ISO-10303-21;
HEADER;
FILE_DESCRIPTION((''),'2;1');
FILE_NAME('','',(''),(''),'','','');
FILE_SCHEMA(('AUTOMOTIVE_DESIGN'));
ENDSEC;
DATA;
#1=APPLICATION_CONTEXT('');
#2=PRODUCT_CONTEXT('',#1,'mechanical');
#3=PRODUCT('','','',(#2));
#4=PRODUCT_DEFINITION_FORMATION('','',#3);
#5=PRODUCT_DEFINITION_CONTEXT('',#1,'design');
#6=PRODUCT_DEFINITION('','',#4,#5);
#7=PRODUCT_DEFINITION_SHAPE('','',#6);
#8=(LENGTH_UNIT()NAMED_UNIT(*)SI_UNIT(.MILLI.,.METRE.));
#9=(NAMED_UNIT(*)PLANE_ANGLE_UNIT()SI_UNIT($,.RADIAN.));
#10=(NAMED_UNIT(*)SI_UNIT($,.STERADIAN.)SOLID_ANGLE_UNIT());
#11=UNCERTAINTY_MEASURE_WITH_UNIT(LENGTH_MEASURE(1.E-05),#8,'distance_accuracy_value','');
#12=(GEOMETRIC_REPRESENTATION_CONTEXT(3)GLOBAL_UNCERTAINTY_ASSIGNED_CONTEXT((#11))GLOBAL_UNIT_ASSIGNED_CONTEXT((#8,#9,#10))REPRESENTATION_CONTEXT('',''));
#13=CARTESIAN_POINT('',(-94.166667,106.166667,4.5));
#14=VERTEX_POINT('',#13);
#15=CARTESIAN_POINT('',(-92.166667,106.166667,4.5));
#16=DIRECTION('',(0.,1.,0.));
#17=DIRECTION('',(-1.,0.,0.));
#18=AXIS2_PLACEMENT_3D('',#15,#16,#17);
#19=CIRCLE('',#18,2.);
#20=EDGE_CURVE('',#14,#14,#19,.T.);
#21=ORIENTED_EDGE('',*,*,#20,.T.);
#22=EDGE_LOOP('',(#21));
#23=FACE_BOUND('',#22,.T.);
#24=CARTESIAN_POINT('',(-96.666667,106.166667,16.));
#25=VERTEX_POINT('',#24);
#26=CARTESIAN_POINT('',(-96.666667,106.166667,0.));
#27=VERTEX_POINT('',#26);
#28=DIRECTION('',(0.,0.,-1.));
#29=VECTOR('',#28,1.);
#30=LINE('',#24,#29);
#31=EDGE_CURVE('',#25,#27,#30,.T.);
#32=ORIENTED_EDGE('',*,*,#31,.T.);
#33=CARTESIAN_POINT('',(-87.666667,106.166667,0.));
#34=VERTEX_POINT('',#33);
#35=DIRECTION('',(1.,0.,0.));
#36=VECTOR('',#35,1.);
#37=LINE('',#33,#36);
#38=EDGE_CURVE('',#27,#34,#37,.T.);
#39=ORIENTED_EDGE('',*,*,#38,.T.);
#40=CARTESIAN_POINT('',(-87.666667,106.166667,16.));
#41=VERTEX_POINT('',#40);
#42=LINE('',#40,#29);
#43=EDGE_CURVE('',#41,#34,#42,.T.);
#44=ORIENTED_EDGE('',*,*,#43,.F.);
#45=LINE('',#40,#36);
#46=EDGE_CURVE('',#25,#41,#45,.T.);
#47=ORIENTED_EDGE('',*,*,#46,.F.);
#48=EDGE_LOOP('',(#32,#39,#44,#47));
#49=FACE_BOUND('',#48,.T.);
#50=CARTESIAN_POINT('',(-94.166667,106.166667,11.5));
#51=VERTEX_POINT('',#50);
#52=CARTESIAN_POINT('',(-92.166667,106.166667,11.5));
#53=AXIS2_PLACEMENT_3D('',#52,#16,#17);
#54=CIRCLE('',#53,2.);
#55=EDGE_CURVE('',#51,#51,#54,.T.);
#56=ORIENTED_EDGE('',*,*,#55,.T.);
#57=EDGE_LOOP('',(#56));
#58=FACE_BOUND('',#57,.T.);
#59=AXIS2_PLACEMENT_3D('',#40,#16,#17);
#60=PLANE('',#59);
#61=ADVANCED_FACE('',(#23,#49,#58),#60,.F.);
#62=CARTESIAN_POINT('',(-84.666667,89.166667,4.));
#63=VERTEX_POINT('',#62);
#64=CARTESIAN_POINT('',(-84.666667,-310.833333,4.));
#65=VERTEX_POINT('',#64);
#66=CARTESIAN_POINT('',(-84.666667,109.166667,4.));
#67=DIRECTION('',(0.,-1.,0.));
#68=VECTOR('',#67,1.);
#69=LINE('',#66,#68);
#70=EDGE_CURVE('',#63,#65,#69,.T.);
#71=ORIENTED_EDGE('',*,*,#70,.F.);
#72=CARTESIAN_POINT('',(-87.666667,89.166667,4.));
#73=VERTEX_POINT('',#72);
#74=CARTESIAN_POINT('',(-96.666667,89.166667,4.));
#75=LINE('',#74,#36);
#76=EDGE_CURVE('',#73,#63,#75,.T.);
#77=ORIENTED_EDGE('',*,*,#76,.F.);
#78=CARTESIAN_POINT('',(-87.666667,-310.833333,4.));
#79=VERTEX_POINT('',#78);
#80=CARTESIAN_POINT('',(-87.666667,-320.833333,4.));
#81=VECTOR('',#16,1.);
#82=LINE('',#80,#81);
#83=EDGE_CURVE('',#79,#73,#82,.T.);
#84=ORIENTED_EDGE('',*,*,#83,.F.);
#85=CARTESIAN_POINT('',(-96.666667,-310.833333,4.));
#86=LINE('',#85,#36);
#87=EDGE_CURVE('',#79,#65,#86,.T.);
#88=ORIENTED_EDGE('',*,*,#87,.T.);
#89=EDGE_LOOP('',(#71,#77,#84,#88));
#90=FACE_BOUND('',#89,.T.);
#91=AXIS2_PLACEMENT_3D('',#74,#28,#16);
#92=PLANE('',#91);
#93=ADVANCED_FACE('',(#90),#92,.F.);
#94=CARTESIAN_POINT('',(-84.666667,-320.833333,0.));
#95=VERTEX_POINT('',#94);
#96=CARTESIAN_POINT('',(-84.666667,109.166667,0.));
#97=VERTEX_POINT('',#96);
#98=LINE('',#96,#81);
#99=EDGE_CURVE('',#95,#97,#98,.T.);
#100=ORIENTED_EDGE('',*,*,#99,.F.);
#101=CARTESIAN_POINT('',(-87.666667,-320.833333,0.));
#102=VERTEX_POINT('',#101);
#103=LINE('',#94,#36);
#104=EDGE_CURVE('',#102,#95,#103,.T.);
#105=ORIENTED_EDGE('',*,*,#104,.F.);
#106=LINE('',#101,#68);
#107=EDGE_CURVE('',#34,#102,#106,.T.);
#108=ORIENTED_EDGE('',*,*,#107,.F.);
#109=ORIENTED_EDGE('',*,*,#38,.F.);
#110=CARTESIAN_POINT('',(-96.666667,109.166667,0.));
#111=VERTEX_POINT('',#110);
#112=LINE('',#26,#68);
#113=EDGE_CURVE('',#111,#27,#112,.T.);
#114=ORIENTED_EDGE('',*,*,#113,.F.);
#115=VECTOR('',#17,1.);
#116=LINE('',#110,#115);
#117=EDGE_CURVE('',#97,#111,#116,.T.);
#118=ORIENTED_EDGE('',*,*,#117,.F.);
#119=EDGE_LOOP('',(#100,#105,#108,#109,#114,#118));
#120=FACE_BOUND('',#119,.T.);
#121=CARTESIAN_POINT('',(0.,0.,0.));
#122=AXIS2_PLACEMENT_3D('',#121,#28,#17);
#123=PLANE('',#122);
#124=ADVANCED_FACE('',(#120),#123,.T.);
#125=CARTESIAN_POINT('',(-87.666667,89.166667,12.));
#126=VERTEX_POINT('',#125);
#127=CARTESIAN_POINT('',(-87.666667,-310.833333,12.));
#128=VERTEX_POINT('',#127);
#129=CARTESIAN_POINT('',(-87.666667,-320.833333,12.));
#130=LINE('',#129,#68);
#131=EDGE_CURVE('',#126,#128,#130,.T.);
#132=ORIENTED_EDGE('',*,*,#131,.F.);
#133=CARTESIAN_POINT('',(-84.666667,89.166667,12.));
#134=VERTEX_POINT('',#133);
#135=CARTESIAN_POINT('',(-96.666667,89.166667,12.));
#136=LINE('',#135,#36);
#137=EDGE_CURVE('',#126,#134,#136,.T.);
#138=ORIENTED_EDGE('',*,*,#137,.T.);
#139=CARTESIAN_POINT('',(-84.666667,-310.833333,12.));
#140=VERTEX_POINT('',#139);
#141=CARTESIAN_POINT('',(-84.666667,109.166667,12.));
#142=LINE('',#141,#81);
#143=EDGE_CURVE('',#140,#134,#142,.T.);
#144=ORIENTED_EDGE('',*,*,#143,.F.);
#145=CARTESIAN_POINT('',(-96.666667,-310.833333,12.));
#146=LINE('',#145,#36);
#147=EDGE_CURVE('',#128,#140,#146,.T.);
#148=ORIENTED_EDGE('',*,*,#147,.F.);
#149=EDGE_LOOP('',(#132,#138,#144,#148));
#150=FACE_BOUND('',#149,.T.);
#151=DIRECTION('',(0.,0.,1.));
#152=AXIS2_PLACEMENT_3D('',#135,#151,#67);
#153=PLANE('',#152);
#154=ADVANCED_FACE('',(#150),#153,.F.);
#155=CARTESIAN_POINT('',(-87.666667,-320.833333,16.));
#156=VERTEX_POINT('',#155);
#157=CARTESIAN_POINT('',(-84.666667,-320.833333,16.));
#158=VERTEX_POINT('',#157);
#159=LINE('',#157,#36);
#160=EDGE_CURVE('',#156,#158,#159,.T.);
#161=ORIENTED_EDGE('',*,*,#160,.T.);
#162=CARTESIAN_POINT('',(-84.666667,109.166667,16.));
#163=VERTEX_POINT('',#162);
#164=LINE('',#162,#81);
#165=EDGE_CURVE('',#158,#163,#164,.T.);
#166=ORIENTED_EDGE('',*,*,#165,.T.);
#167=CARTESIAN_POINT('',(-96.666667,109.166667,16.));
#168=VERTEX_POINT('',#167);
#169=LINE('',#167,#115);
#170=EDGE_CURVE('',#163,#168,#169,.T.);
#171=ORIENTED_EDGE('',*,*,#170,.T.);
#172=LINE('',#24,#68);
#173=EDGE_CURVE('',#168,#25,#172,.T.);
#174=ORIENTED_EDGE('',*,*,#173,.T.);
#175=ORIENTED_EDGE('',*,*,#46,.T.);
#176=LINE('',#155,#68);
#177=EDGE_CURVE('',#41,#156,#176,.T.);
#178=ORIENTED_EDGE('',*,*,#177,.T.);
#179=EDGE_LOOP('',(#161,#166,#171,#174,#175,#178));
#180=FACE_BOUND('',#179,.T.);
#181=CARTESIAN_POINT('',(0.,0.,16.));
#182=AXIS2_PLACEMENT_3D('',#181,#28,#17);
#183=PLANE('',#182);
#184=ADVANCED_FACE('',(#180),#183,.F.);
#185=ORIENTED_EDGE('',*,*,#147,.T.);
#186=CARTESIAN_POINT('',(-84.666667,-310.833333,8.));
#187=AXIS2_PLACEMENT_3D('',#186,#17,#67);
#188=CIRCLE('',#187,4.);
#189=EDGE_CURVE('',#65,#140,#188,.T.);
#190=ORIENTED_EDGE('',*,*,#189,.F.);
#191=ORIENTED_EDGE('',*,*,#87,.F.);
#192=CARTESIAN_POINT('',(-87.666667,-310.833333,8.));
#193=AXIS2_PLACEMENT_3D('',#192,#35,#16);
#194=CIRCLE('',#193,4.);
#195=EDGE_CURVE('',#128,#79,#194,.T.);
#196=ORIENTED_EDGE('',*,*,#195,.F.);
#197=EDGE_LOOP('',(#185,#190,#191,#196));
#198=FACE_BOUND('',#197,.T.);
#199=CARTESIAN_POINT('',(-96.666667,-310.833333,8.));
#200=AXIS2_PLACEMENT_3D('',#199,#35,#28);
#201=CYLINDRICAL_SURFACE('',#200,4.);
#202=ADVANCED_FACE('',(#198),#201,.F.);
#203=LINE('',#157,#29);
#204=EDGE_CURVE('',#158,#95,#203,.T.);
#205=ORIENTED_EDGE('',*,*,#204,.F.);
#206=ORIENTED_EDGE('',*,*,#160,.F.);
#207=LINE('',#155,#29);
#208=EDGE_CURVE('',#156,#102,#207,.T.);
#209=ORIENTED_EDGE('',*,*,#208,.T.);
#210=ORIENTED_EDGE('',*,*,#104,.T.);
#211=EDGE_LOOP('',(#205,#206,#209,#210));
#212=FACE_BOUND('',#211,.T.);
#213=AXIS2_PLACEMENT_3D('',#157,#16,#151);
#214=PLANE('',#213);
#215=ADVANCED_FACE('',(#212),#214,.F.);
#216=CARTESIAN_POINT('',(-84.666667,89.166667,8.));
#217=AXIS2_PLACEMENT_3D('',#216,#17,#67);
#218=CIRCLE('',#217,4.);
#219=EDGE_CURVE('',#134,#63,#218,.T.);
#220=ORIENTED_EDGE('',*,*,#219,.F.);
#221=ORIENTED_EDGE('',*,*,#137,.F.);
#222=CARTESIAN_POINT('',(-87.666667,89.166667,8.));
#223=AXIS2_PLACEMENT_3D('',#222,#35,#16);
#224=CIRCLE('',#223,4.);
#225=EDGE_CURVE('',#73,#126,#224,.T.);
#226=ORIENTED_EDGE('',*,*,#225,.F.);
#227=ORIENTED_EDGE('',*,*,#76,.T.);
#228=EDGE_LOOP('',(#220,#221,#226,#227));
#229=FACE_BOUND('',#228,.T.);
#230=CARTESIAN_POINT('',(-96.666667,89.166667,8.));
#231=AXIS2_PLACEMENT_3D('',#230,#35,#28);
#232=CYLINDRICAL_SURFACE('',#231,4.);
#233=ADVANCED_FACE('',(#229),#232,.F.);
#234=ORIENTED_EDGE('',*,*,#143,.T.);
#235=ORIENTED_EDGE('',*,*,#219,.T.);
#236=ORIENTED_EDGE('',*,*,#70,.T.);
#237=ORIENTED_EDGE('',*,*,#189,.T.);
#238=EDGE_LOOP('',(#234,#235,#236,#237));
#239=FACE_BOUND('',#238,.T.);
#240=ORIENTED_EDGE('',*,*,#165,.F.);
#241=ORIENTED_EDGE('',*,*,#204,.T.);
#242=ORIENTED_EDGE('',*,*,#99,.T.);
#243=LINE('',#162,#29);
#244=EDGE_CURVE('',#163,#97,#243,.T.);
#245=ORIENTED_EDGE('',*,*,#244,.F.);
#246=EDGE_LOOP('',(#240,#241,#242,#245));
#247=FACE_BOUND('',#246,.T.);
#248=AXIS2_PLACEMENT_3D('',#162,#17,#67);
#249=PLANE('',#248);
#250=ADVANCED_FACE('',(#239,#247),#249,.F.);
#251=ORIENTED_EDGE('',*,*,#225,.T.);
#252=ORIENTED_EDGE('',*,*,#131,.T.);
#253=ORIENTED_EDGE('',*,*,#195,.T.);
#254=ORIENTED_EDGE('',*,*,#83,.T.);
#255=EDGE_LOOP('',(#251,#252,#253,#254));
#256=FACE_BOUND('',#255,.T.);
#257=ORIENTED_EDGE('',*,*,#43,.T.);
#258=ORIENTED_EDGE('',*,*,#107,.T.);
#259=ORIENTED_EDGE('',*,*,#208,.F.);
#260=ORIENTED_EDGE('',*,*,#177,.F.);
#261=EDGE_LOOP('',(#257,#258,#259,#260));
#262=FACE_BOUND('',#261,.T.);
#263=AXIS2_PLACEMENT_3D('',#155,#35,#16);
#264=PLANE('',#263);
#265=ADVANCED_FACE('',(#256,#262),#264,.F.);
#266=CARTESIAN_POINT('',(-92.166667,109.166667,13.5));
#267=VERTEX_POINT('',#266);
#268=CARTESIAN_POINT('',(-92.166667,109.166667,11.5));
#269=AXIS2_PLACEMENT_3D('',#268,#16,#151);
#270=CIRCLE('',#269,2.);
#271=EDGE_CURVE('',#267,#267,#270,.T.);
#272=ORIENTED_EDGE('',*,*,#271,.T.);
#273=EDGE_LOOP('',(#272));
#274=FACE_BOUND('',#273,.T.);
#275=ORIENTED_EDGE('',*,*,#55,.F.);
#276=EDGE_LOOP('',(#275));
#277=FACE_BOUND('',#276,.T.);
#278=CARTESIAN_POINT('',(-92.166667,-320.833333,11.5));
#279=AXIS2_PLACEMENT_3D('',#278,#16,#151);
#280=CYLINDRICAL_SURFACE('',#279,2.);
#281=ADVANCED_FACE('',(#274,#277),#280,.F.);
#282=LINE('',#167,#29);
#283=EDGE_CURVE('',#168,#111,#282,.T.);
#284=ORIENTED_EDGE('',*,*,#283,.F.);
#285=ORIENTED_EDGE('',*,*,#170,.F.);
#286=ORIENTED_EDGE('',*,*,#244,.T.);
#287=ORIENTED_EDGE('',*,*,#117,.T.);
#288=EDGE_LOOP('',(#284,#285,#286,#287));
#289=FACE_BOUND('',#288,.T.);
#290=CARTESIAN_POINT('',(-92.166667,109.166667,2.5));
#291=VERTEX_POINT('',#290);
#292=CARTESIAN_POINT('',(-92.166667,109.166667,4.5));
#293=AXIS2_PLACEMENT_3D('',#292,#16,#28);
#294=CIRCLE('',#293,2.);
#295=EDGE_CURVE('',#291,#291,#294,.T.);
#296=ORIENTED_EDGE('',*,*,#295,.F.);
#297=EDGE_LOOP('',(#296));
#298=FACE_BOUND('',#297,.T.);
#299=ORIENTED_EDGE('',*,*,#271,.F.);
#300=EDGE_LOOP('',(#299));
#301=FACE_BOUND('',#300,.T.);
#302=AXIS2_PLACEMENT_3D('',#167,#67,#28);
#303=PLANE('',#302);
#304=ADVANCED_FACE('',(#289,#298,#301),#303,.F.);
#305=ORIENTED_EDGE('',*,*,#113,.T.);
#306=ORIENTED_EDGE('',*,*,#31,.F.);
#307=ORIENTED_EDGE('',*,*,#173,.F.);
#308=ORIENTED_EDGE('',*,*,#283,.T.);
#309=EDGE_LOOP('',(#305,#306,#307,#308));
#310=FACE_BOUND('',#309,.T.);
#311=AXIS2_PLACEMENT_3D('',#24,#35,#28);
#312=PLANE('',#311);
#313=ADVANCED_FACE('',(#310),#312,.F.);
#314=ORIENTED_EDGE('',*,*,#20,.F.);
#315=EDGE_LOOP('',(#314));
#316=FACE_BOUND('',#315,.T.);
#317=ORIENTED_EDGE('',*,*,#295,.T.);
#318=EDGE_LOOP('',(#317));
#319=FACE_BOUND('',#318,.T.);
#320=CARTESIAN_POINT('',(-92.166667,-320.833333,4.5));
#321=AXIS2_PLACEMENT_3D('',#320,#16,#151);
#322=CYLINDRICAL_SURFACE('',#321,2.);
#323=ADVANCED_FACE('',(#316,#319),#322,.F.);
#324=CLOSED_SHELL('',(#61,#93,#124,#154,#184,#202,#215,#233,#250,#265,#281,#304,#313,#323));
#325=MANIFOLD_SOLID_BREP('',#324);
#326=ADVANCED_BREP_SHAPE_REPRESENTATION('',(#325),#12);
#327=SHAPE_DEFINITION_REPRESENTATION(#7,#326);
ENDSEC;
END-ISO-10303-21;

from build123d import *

# Parameters (mm, degrees)
BOSS_EXTRUDE1_DEPTH     = 16
SKETCH2_R               = 2
CUT_EXTRUDE1_DEPTH      = 110.166666667
CUT_EXTRUDE1_DEPTH_BACK = 321.833333333
CUT_EXTRUDE2_DEPTH      = 97.666666667


with BuildPart() as part:
    # Sketch1 → Boss-Extrude1 (new body)
    with BuildSketch(Plane.XY):
        Polygon((-96.666666667, 109.166666667), (-84.666666667, 109.166666667), (-84.666666667, -320.833333333), (-87.666666667, -320.833333333), (-87.666666667, 106.166666667), (-96.666666667, 106.166666667), align=None)
    extrude(amount=BOSS_EXTRUDE1_DEPTH)

    # Sketch2 → Cut-Extrude1 (cut, two sides)
    with BuildSketch(Plane(origin=(0, 0, 0), x_dir=(1, 0, 0), z_dir=(0, 1, 0))) as cut_extrude1_sk:
        with Locations((-92.166666667, -11.5)):
            Circle(SKETCH2_R)
        with Locations((-92.166666667, -4.5)):
            Circle(SKETCH2_R)
    extrude(amount=CUT_EXTRUDE1_DEPTH, mode=Mode.SUBTRACT)
    extrude(cut_extrude1_sk.sketch, amount=-CUT_EXTRUDE1_DEPTH_BACK, mode=Mode.SUBTRACT)

    # Sketch3 → Cut-Extrude2 (cut, through all)
    with BuildSketch(Plane(origin=(0, 0, 0), x_dir=(0, 0, -1), z_dir=(1, 0, 0))):
        with BuildLine():
            Line((-4, 89.166666667), (-4, -310.833333333))
            ThreePointArc((-4, -310.833333333), (-8, -314.833333333), (-12, -310.833333333))
            Line((-12, -310.833333333), (-12, 89.166666667))
            ThreePointArc((-12, 89.166666667), (-8, 93.166666667), (-4, 89.166666667))
        make_face()
    extrude(amount=-CUT_EXTRUDE2_DEPTH, mode=Mode.SUBTRACT)


solid = part.part
